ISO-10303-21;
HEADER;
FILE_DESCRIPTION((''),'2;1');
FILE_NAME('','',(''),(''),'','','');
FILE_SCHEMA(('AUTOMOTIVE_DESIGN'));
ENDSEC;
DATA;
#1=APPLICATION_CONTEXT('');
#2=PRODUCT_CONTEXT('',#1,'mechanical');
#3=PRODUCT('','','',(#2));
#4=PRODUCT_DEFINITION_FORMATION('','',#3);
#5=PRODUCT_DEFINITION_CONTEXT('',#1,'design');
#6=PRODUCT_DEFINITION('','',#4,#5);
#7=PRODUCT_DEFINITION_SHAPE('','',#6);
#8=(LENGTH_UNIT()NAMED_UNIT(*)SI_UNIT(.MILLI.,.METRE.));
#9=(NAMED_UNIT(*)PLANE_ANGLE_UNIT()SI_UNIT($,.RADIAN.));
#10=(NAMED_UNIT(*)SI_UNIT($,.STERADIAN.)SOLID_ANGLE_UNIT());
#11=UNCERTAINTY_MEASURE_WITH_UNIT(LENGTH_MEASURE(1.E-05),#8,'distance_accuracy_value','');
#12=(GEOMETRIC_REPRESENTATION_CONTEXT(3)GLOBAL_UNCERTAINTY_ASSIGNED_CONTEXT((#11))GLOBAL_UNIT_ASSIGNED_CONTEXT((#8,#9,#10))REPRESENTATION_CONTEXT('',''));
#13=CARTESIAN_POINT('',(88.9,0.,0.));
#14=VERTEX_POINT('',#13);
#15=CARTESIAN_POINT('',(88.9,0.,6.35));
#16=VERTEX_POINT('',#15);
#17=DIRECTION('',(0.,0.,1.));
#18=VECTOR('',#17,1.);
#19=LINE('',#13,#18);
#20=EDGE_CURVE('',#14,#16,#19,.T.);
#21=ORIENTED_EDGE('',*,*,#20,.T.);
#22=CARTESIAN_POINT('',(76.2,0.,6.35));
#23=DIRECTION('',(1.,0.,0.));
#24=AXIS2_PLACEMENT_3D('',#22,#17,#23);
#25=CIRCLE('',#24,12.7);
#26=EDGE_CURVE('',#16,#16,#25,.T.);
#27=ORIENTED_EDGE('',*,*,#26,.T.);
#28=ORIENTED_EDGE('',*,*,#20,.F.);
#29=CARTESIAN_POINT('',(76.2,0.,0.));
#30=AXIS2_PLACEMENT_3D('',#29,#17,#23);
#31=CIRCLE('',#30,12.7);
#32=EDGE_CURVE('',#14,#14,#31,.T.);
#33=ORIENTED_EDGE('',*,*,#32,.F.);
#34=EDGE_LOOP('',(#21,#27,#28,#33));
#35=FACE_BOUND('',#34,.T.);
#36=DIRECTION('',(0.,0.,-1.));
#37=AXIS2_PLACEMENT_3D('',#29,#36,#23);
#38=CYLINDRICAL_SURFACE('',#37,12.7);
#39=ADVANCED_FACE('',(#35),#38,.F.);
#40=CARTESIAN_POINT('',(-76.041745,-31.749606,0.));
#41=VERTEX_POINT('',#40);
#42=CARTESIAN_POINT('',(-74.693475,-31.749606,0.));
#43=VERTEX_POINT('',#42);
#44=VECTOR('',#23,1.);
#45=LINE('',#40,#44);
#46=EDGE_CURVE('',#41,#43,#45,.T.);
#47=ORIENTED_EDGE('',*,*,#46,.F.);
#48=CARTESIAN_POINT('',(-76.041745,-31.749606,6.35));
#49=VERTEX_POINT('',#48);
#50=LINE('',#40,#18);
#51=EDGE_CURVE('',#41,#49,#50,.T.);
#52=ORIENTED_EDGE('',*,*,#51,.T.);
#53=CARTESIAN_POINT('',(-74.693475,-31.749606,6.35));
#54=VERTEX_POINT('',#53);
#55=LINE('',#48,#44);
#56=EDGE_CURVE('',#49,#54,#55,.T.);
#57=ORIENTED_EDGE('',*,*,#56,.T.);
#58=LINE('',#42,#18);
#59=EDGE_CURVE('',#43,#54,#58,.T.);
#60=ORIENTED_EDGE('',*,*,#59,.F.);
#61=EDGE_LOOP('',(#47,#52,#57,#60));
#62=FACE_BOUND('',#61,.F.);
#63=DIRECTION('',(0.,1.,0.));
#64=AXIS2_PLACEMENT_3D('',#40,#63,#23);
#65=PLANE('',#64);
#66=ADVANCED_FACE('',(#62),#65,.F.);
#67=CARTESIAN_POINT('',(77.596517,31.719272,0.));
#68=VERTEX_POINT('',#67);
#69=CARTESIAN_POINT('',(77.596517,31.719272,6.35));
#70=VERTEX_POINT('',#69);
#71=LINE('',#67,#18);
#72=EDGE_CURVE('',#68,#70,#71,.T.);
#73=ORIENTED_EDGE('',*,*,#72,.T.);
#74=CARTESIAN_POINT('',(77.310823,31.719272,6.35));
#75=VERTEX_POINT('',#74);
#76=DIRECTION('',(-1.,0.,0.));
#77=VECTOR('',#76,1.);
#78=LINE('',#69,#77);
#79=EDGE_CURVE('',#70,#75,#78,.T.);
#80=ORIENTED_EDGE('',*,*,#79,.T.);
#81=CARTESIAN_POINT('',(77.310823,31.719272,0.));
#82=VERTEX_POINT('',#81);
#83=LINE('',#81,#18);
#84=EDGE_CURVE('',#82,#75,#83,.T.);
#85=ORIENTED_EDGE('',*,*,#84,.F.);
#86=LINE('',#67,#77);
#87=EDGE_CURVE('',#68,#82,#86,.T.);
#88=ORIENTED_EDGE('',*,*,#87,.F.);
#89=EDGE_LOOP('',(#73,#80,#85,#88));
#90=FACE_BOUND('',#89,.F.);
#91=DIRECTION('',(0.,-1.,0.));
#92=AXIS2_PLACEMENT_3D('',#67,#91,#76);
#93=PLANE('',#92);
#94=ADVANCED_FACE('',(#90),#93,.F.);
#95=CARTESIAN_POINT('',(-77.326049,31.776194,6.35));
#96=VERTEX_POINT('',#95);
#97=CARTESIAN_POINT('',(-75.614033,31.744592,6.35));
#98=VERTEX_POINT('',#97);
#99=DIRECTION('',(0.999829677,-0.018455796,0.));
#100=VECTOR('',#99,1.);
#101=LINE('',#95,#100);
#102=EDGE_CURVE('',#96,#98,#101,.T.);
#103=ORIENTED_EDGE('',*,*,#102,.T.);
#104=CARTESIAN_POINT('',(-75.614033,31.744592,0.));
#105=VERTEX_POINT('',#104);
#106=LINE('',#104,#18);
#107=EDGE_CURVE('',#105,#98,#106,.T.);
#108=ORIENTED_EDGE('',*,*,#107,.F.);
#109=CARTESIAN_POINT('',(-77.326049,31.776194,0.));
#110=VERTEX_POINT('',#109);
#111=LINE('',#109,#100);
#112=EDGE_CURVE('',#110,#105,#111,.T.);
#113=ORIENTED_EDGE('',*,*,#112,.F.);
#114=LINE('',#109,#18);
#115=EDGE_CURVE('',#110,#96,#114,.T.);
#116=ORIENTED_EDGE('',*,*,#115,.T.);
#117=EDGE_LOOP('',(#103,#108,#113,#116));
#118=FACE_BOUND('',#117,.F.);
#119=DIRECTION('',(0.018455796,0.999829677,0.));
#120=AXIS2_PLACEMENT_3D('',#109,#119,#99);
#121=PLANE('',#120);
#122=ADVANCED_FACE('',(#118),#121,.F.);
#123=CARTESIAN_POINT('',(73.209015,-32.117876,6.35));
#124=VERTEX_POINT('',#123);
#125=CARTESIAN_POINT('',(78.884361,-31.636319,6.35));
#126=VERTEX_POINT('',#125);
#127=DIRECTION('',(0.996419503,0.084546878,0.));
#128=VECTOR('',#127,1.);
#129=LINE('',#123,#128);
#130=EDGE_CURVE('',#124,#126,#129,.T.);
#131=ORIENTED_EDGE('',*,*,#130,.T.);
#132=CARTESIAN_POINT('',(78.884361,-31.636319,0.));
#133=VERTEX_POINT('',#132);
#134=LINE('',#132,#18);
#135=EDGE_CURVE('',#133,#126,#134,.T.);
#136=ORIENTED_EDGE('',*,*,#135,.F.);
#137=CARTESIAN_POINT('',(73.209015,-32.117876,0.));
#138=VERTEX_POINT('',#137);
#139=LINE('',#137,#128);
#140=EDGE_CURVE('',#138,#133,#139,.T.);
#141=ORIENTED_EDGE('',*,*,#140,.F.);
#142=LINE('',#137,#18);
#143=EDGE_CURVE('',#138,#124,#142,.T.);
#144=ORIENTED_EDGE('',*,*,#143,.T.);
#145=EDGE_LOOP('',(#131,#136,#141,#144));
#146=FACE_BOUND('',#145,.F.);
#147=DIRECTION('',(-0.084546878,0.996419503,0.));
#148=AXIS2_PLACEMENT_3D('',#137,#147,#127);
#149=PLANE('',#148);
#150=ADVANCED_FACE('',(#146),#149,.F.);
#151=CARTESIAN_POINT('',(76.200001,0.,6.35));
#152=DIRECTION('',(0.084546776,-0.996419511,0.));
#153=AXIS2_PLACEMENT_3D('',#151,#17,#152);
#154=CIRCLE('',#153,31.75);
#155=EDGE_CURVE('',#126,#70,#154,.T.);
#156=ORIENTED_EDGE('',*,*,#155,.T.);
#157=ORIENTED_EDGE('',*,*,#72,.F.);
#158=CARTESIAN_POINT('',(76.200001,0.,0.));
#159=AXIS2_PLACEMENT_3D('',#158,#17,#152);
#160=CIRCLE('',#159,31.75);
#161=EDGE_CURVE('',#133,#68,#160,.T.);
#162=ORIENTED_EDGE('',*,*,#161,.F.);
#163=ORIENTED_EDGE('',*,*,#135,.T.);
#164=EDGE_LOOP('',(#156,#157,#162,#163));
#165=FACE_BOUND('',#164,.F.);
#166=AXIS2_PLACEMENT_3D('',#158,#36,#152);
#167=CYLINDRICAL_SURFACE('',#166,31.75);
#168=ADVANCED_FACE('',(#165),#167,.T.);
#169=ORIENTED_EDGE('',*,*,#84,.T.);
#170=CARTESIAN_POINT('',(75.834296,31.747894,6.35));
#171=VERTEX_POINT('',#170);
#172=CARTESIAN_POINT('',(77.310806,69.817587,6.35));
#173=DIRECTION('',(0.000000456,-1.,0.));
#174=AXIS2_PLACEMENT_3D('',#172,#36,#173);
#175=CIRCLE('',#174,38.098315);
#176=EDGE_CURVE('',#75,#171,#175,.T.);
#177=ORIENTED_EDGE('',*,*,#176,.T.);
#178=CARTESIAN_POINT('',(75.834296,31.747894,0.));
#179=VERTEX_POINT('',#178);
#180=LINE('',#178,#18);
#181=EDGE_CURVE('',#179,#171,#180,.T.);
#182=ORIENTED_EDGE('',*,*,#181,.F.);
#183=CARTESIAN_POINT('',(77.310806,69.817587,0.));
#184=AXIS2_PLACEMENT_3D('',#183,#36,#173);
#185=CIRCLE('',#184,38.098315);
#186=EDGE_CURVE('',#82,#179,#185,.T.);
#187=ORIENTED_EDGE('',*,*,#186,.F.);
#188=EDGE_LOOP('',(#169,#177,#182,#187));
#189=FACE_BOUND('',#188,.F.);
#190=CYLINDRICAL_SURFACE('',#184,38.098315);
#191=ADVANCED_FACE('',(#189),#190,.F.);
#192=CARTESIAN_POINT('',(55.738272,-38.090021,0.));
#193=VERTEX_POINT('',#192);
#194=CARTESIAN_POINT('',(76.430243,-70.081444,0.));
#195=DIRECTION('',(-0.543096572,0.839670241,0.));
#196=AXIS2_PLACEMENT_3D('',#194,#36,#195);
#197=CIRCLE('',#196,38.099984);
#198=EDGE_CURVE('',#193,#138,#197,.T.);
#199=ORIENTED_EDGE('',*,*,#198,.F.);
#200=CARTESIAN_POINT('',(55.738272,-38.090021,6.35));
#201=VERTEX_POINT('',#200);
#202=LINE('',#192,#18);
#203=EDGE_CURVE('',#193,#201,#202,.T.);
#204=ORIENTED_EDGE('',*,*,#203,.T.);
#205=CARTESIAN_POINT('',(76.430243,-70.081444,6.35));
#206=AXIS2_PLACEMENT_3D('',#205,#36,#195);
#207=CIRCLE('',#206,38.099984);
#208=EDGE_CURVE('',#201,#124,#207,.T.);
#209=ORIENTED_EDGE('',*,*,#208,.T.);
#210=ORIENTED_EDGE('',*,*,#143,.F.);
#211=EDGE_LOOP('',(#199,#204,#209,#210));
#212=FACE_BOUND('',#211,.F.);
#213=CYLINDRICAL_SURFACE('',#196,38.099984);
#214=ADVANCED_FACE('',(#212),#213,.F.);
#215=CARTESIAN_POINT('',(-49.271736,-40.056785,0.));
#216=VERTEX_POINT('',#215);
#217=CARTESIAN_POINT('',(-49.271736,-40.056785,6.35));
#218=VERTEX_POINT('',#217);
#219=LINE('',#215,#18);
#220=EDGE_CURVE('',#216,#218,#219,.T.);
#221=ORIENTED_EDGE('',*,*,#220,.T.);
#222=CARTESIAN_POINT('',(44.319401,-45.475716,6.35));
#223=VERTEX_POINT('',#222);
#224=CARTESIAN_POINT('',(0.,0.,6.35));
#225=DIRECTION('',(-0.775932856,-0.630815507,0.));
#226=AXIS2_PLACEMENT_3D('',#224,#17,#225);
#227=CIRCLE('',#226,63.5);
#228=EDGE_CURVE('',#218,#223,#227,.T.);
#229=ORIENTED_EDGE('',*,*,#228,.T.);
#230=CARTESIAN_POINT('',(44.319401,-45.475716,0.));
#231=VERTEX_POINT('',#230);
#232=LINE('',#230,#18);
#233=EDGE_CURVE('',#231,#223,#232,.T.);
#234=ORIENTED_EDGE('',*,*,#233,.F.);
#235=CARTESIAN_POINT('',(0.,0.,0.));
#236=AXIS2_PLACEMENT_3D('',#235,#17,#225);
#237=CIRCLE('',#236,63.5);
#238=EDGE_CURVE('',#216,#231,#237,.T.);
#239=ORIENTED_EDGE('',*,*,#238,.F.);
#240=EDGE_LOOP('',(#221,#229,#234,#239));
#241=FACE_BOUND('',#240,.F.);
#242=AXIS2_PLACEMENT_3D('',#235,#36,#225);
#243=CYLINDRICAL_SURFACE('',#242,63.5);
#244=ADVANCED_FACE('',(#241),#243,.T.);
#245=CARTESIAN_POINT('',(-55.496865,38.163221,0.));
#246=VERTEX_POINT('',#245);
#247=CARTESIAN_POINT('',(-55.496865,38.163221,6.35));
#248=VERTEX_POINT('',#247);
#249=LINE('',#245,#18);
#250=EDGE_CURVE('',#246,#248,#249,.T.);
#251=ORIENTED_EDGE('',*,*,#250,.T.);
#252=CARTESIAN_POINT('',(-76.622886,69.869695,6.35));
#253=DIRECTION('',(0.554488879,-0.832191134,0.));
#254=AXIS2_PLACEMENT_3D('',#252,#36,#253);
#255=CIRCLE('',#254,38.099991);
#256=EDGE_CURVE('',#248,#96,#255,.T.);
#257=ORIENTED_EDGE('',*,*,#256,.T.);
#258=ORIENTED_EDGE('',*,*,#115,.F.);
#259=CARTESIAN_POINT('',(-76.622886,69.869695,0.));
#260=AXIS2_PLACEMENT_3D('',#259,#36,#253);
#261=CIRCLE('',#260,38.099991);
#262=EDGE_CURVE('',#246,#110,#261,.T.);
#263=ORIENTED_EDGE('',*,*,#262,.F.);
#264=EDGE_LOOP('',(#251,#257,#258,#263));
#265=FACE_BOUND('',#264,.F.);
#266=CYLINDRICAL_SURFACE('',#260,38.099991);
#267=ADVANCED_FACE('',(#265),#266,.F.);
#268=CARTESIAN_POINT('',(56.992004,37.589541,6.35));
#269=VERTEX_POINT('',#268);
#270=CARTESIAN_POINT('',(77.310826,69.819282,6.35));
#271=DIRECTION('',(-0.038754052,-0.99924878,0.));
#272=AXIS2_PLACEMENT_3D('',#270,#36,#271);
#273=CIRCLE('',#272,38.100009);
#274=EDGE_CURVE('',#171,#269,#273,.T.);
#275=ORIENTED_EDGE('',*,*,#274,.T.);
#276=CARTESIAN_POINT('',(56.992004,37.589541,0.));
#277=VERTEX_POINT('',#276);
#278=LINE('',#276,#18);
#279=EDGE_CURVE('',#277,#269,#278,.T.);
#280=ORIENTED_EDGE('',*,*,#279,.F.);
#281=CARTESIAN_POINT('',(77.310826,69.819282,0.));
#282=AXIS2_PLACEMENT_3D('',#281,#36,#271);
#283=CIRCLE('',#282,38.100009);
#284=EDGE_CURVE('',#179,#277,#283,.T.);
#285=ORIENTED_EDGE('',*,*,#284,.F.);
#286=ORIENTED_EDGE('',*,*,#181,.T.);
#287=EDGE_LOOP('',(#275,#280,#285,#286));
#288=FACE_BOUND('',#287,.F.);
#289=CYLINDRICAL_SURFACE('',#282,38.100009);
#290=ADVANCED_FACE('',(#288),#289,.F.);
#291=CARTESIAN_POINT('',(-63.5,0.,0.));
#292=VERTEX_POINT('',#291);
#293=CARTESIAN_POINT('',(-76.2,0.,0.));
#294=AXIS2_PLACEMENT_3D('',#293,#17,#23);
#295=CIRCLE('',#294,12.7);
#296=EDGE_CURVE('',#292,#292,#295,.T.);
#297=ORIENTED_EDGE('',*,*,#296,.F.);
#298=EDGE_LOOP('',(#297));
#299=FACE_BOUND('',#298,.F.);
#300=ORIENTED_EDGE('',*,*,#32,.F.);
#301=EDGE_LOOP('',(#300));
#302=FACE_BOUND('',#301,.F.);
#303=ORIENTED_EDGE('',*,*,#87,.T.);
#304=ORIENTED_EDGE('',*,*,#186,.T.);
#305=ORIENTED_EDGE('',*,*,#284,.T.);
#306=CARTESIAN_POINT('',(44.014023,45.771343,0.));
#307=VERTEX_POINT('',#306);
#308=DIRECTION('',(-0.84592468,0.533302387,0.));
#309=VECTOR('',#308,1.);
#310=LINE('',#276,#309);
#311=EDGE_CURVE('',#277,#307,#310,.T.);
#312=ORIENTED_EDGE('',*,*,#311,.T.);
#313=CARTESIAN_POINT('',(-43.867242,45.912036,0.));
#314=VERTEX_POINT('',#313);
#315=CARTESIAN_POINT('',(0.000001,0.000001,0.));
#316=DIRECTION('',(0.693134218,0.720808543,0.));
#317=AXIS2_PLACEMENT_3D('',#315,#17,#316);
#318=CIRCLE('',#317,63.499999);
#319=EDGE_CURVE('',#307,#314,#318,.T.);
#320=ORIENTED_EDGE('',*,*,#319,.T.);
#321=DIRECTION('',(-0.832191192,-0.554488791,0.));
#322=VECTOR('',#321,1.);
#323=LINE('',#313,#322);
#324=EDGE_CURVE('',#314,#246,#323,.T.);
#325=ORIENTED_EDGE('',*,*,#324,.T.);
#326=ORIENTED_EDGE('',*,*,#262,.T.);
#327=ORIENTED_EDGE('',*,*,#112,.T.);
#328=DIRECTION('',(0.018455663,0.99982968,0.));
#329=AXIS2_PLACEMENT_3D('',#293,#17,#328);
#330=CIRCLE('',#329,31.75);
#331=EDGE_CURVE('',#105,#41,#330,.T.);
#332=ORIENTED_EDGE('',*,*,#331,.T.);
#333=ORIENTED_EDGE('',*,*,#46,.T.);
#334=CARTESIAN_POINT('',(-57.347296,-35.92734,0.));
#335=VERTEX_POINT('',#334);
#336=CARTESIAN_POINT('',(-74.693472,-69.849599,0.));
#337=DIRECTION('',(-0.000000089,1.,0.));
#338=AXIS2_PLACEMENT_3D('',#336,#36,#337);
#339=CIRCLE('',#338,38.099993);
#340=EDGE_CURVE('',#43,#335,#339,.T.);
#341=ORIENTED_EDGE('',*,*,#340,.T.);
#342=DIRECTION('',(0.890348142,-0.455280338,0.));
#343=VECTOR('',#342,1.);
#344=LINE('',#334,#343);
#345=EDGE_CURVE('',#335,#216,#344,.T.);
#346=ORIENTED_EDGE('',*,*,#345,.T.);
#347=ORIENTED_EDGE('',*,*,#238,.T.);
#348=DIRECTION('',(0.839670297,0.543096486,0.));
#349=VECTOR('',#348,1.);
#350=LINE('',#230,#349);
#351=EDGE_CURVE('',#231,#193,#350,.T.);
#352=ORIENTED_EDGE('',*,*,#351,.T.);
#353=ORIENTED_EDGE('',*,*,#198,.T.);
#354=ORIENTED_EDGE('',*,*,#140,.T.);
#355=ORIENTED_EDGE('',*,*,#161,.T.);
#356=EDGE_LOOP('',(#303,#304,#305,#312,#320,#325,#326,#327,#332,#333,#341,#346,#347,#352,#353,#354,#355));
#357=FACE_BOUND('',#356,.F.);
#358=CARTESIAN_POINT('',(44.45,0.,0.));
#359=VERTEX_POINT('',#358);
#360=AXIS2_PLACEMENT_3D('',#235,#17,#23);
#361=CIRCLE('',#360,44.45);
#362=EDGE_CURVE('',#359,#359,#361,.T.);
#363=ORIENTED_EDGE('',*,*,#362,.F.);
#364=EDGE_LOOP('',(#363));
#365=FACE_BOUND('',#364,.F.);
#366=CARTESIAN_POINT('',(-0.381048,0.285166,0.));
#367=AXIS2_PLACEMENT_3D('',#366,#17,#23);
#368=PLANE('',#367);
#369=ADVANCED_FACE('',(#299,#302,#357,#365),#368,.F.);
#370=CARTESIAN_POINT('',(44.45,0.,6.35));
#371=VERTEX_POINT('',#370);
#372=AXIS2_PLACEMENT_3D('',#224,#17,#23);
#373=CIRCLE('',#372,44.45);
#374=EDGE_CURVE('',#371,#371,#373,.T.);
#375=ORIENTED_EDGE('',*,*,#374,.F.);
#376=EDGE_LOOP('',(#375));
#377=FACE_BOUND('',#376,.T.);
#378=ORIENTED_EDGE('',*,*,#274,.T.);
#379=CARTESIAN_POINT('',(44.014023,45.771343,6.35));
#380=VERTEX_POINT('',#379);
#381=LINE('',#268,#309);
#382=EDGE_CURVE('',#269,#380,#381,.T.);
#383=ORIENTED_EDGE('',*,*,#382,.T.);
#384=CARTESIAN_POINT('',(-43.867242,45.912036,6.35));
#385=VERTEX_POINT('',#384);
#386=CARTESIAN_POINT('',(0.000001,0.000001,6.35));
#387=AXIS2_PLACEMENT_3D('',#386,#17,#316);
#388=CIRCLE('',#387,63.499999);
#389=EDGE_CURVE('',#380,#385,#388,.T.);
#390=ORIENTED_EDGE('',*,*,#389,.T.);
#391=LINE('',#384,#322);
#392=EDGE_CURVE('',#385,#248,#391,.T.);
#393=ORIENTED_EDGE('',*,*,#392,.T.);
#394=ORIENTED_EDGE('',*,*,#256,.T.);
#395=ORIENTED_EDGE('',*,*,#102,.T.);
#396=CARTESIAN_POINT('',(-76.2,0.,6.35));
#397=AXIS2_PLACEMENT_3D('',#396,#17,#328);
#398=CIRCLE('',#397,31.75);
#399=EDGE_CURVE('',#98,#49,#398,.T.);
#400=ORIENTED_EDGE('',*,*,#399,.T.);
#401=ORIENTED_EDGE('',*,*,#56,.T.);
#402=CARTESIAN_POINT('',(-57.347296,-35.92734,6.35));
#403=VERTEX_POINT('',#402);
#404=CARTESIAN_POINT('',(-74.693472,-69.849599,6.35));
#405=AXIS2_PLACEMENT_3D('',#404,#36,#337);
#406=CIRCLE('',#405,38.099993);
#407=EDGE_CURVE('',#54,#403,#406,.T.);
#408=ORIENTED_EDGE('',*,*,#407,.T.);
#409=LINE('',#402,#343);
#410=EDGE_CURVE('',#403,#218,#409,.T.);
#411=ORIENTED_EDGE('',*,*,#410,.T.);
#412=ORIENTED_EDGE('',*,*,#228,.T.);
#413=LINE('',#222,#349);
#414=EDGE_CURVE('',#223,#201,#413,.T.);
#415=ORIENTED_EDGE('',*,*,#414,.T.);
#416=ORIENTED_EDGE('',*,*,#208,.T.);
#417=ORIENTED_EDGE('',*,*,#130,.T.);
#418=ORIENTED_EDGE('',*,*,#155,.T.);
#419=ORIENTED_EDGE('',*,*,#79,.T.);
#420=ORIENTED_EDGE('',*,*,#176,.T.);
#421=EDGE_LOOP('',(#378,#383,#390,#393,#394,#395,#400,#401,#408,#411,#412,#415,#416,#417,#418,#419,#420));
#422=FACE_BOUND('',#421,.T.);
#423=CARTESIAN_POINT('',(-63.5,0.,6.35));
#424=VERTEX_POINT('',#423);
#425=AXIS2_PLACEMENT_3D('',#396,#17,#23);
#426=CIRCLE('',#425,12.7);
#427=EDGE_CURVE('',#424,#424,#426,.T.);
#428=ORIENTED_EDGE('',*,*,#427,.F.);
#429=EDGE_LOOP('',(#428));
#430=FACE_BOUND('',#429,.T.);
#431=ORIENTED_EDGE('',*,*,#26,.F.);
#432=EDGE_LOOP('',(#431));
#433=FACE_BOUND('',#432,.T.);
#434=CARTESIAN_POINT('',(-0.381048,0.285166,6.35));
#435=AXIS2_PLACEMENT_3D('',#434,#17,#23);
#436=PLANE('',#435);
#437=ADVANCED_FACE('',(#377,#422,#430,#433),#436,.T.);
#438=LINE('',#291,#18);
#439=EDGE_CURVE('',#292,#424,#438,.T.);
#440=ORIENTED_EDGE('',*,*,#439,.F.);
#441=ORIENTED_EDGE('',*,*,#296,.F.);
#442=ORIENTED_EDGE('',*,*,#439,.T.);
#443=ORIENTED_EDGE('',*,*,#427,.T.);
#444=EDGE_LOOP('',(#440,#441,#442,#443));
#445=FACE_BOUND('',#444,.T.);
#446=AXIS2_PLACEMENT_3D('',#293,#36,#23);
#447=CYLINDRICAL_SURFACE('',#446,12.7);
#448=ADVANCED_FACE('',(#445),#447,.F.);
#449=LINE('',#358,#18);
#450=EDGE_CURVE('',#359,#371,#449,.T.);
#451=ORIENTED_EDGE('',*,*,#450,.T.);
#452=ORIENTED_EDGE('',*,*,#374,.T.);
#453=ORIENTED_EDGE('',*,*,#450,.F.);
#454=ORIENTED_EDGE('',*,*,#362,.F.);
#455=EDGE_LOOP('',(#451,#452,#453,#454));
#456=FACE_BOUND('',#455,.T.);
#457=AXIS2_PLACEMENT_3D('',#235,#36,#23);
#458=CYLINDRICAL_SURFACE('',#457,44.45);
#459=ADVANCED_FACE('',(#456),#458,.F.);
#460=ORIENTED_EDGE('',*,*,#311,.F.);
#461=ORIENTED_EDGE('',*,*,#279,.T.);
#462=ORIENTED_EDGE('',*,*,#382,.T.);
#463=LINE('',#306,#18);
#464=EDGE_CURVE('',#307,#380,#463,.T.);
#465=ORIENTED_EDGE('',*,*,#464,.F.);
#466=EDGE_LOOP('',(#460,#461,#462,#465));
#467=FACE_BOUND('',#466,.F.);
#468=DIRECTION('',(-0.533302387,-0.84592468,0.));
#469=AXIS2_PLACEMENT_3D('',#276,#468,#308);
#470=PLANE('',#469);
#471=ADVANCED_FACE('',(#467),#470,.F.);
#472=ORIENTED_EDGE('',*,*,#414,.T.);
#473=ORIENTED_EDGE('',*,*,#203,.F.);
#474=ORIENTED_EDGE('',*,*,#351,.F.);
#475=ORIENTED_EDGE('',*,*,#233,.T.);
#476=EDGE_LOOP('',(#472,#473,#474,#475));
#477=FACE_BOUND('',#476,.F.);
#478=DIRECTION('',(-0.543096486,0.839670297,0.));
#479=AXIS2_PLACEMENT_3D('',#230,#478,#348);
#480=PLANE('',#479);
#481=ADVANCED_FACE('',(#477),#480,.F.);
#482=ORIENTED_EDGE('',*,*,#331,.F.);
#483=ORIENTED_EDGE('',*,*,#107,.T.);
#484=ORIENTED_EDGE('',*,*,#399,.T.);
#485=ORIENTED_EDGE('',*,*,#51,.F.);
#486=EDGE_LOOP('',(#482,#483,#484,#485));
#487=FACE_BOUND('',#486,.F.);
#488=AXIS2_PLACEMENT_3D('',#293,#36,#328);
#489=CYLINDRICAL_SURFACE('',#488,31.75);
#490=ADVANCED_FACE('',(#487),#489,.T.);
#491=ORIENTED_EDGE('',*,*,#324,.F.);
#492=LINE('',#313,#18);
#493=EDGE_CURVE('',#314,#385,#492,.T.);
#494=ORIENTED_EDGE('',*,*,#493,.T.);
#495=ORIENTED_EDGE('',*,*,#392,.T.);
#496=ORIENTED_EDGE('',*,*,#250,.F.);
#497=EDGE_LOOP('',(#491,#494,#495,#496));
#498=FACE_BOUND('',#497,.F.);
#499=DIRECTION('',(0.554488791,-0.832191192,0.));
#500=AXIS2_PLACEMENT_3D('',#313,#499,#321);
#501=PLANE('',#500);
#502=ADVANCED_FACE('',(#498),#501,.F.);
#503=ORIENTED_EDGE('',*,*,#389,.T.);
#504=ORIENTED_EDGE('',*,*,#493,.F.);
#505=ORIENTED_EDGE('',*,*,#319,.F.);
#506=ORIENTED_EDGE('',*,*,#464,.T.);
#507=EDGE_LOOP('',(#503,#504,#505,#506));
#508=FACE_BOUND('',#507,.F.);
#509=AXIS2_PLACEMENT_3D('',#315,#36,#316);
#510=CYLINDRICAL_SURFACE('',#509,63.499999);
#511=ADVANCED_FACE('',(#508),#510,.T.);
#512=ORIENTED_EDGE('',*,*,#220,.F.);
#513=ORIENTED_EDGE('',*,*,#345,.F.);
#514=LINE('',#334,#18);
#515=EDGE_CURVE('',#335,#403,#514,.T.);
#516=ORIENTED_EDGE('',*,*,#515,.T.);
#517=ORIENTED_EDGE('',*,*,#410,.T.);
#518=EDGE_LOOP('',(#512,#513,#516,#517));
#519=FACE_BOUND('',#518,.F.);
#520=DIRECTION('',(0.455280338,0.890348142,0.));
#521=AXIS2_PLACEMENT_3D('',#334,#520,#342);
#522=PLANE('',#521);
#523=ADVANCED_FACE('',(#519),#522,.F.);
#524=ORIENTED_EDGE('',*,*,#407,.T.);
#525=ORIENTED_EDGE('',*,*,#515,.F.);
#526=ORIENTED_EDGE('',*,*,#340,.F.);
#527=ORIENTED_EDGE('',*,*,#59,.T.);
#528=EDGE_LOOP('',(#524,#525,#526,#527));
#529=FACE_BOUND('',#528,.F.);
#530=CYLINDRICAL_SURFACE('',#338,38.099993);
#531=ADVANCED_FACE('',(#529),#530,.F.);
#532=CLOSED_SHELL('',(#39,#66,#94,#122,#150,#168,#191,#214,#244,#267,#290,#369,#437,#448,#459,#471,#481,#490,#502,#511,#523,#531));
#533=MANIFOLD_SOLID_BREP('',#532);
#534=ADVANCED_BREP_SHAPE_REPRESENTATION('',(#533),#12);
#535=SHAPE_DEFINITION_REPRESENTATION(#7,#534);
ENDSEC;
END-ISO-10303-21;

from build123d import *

# Parameters (mm, degrees)
F0_R     = 12.7
F0_R_2   = 44.45
F1_DEPTH = 6.35


with BuildPart() as f1:
    # F0 (on Top) → F1 (new body)
    with BuildSketch(Plane.XY):
        with BuildLine():
            Line((-57.347296, -35.92734), (-49.271736, -40.056785))
            ThreePointArc((-49.271736, -40.056785), (-3.670505, -63.393828), (44.319401, -45.475716))
            Line((44.319401, -45.475716), (55.738272, -38.090021))
            ThreePointArc((55.738272, -38.090021), (64.106409, -34.029649), (73.209015, -32.117876))
            Line((73.209015, -32.117876), (78.884361, -31.636319))
            ThreePointArc((78.884361, -31.636319), (107.943443, 0.645256), (77.596517, 31.719272))
            Line((77.596517, 31.719272), (77.310823, 31.719272))
            ThreePointArc((77.310823, 31.719272), (76.572421, 31.726428), (75.834296, 31.747894))
            ThreePointArc((75.834296, 31.747894), (66.028514, 33.428072), (56.992004, 37.589541))
            Line((56.992004, 37.589541), (44.014023, 45.771343))
            ThreePointArc((44.014023, 45.771343), (0.10166, 63.499919), (-43.867242, 45.912036))
            Line((-43.867242, 45.912036), (-55.496865, 38.163221))
            ThreePointArc((-55.496865, 38.163221), (-65.923736, 33.302805), (-77.326049, 31.776194))
            Line((-77.326049, 31.776194), (-75.614033, 31.744592))
            ThreePointArc((-75.614033, 31.744592), (-107.94928, 0.213871), (-76.041745, -31.749606))
            Line((-76.041745, -31.749606), (-74.693475, -31.749606))
            ThreePointArc((-74.693475, -31.749606), (-65.772385, -32.808761), (-57.347296, -35.92734))
        make_face()
        with Locations((-76.2, 0)):
            Circle(F0_R, mode=Mode.SUBTRACT)
        Circle(F0_R_2, mode=Mode.SUBTRACT)
        with Locations((76.2, 0)):
            Circle(F0_R, mode=Mode.SUBTRACT)
    extrude(amount=F1_DEPTH)


solid = f1.part
